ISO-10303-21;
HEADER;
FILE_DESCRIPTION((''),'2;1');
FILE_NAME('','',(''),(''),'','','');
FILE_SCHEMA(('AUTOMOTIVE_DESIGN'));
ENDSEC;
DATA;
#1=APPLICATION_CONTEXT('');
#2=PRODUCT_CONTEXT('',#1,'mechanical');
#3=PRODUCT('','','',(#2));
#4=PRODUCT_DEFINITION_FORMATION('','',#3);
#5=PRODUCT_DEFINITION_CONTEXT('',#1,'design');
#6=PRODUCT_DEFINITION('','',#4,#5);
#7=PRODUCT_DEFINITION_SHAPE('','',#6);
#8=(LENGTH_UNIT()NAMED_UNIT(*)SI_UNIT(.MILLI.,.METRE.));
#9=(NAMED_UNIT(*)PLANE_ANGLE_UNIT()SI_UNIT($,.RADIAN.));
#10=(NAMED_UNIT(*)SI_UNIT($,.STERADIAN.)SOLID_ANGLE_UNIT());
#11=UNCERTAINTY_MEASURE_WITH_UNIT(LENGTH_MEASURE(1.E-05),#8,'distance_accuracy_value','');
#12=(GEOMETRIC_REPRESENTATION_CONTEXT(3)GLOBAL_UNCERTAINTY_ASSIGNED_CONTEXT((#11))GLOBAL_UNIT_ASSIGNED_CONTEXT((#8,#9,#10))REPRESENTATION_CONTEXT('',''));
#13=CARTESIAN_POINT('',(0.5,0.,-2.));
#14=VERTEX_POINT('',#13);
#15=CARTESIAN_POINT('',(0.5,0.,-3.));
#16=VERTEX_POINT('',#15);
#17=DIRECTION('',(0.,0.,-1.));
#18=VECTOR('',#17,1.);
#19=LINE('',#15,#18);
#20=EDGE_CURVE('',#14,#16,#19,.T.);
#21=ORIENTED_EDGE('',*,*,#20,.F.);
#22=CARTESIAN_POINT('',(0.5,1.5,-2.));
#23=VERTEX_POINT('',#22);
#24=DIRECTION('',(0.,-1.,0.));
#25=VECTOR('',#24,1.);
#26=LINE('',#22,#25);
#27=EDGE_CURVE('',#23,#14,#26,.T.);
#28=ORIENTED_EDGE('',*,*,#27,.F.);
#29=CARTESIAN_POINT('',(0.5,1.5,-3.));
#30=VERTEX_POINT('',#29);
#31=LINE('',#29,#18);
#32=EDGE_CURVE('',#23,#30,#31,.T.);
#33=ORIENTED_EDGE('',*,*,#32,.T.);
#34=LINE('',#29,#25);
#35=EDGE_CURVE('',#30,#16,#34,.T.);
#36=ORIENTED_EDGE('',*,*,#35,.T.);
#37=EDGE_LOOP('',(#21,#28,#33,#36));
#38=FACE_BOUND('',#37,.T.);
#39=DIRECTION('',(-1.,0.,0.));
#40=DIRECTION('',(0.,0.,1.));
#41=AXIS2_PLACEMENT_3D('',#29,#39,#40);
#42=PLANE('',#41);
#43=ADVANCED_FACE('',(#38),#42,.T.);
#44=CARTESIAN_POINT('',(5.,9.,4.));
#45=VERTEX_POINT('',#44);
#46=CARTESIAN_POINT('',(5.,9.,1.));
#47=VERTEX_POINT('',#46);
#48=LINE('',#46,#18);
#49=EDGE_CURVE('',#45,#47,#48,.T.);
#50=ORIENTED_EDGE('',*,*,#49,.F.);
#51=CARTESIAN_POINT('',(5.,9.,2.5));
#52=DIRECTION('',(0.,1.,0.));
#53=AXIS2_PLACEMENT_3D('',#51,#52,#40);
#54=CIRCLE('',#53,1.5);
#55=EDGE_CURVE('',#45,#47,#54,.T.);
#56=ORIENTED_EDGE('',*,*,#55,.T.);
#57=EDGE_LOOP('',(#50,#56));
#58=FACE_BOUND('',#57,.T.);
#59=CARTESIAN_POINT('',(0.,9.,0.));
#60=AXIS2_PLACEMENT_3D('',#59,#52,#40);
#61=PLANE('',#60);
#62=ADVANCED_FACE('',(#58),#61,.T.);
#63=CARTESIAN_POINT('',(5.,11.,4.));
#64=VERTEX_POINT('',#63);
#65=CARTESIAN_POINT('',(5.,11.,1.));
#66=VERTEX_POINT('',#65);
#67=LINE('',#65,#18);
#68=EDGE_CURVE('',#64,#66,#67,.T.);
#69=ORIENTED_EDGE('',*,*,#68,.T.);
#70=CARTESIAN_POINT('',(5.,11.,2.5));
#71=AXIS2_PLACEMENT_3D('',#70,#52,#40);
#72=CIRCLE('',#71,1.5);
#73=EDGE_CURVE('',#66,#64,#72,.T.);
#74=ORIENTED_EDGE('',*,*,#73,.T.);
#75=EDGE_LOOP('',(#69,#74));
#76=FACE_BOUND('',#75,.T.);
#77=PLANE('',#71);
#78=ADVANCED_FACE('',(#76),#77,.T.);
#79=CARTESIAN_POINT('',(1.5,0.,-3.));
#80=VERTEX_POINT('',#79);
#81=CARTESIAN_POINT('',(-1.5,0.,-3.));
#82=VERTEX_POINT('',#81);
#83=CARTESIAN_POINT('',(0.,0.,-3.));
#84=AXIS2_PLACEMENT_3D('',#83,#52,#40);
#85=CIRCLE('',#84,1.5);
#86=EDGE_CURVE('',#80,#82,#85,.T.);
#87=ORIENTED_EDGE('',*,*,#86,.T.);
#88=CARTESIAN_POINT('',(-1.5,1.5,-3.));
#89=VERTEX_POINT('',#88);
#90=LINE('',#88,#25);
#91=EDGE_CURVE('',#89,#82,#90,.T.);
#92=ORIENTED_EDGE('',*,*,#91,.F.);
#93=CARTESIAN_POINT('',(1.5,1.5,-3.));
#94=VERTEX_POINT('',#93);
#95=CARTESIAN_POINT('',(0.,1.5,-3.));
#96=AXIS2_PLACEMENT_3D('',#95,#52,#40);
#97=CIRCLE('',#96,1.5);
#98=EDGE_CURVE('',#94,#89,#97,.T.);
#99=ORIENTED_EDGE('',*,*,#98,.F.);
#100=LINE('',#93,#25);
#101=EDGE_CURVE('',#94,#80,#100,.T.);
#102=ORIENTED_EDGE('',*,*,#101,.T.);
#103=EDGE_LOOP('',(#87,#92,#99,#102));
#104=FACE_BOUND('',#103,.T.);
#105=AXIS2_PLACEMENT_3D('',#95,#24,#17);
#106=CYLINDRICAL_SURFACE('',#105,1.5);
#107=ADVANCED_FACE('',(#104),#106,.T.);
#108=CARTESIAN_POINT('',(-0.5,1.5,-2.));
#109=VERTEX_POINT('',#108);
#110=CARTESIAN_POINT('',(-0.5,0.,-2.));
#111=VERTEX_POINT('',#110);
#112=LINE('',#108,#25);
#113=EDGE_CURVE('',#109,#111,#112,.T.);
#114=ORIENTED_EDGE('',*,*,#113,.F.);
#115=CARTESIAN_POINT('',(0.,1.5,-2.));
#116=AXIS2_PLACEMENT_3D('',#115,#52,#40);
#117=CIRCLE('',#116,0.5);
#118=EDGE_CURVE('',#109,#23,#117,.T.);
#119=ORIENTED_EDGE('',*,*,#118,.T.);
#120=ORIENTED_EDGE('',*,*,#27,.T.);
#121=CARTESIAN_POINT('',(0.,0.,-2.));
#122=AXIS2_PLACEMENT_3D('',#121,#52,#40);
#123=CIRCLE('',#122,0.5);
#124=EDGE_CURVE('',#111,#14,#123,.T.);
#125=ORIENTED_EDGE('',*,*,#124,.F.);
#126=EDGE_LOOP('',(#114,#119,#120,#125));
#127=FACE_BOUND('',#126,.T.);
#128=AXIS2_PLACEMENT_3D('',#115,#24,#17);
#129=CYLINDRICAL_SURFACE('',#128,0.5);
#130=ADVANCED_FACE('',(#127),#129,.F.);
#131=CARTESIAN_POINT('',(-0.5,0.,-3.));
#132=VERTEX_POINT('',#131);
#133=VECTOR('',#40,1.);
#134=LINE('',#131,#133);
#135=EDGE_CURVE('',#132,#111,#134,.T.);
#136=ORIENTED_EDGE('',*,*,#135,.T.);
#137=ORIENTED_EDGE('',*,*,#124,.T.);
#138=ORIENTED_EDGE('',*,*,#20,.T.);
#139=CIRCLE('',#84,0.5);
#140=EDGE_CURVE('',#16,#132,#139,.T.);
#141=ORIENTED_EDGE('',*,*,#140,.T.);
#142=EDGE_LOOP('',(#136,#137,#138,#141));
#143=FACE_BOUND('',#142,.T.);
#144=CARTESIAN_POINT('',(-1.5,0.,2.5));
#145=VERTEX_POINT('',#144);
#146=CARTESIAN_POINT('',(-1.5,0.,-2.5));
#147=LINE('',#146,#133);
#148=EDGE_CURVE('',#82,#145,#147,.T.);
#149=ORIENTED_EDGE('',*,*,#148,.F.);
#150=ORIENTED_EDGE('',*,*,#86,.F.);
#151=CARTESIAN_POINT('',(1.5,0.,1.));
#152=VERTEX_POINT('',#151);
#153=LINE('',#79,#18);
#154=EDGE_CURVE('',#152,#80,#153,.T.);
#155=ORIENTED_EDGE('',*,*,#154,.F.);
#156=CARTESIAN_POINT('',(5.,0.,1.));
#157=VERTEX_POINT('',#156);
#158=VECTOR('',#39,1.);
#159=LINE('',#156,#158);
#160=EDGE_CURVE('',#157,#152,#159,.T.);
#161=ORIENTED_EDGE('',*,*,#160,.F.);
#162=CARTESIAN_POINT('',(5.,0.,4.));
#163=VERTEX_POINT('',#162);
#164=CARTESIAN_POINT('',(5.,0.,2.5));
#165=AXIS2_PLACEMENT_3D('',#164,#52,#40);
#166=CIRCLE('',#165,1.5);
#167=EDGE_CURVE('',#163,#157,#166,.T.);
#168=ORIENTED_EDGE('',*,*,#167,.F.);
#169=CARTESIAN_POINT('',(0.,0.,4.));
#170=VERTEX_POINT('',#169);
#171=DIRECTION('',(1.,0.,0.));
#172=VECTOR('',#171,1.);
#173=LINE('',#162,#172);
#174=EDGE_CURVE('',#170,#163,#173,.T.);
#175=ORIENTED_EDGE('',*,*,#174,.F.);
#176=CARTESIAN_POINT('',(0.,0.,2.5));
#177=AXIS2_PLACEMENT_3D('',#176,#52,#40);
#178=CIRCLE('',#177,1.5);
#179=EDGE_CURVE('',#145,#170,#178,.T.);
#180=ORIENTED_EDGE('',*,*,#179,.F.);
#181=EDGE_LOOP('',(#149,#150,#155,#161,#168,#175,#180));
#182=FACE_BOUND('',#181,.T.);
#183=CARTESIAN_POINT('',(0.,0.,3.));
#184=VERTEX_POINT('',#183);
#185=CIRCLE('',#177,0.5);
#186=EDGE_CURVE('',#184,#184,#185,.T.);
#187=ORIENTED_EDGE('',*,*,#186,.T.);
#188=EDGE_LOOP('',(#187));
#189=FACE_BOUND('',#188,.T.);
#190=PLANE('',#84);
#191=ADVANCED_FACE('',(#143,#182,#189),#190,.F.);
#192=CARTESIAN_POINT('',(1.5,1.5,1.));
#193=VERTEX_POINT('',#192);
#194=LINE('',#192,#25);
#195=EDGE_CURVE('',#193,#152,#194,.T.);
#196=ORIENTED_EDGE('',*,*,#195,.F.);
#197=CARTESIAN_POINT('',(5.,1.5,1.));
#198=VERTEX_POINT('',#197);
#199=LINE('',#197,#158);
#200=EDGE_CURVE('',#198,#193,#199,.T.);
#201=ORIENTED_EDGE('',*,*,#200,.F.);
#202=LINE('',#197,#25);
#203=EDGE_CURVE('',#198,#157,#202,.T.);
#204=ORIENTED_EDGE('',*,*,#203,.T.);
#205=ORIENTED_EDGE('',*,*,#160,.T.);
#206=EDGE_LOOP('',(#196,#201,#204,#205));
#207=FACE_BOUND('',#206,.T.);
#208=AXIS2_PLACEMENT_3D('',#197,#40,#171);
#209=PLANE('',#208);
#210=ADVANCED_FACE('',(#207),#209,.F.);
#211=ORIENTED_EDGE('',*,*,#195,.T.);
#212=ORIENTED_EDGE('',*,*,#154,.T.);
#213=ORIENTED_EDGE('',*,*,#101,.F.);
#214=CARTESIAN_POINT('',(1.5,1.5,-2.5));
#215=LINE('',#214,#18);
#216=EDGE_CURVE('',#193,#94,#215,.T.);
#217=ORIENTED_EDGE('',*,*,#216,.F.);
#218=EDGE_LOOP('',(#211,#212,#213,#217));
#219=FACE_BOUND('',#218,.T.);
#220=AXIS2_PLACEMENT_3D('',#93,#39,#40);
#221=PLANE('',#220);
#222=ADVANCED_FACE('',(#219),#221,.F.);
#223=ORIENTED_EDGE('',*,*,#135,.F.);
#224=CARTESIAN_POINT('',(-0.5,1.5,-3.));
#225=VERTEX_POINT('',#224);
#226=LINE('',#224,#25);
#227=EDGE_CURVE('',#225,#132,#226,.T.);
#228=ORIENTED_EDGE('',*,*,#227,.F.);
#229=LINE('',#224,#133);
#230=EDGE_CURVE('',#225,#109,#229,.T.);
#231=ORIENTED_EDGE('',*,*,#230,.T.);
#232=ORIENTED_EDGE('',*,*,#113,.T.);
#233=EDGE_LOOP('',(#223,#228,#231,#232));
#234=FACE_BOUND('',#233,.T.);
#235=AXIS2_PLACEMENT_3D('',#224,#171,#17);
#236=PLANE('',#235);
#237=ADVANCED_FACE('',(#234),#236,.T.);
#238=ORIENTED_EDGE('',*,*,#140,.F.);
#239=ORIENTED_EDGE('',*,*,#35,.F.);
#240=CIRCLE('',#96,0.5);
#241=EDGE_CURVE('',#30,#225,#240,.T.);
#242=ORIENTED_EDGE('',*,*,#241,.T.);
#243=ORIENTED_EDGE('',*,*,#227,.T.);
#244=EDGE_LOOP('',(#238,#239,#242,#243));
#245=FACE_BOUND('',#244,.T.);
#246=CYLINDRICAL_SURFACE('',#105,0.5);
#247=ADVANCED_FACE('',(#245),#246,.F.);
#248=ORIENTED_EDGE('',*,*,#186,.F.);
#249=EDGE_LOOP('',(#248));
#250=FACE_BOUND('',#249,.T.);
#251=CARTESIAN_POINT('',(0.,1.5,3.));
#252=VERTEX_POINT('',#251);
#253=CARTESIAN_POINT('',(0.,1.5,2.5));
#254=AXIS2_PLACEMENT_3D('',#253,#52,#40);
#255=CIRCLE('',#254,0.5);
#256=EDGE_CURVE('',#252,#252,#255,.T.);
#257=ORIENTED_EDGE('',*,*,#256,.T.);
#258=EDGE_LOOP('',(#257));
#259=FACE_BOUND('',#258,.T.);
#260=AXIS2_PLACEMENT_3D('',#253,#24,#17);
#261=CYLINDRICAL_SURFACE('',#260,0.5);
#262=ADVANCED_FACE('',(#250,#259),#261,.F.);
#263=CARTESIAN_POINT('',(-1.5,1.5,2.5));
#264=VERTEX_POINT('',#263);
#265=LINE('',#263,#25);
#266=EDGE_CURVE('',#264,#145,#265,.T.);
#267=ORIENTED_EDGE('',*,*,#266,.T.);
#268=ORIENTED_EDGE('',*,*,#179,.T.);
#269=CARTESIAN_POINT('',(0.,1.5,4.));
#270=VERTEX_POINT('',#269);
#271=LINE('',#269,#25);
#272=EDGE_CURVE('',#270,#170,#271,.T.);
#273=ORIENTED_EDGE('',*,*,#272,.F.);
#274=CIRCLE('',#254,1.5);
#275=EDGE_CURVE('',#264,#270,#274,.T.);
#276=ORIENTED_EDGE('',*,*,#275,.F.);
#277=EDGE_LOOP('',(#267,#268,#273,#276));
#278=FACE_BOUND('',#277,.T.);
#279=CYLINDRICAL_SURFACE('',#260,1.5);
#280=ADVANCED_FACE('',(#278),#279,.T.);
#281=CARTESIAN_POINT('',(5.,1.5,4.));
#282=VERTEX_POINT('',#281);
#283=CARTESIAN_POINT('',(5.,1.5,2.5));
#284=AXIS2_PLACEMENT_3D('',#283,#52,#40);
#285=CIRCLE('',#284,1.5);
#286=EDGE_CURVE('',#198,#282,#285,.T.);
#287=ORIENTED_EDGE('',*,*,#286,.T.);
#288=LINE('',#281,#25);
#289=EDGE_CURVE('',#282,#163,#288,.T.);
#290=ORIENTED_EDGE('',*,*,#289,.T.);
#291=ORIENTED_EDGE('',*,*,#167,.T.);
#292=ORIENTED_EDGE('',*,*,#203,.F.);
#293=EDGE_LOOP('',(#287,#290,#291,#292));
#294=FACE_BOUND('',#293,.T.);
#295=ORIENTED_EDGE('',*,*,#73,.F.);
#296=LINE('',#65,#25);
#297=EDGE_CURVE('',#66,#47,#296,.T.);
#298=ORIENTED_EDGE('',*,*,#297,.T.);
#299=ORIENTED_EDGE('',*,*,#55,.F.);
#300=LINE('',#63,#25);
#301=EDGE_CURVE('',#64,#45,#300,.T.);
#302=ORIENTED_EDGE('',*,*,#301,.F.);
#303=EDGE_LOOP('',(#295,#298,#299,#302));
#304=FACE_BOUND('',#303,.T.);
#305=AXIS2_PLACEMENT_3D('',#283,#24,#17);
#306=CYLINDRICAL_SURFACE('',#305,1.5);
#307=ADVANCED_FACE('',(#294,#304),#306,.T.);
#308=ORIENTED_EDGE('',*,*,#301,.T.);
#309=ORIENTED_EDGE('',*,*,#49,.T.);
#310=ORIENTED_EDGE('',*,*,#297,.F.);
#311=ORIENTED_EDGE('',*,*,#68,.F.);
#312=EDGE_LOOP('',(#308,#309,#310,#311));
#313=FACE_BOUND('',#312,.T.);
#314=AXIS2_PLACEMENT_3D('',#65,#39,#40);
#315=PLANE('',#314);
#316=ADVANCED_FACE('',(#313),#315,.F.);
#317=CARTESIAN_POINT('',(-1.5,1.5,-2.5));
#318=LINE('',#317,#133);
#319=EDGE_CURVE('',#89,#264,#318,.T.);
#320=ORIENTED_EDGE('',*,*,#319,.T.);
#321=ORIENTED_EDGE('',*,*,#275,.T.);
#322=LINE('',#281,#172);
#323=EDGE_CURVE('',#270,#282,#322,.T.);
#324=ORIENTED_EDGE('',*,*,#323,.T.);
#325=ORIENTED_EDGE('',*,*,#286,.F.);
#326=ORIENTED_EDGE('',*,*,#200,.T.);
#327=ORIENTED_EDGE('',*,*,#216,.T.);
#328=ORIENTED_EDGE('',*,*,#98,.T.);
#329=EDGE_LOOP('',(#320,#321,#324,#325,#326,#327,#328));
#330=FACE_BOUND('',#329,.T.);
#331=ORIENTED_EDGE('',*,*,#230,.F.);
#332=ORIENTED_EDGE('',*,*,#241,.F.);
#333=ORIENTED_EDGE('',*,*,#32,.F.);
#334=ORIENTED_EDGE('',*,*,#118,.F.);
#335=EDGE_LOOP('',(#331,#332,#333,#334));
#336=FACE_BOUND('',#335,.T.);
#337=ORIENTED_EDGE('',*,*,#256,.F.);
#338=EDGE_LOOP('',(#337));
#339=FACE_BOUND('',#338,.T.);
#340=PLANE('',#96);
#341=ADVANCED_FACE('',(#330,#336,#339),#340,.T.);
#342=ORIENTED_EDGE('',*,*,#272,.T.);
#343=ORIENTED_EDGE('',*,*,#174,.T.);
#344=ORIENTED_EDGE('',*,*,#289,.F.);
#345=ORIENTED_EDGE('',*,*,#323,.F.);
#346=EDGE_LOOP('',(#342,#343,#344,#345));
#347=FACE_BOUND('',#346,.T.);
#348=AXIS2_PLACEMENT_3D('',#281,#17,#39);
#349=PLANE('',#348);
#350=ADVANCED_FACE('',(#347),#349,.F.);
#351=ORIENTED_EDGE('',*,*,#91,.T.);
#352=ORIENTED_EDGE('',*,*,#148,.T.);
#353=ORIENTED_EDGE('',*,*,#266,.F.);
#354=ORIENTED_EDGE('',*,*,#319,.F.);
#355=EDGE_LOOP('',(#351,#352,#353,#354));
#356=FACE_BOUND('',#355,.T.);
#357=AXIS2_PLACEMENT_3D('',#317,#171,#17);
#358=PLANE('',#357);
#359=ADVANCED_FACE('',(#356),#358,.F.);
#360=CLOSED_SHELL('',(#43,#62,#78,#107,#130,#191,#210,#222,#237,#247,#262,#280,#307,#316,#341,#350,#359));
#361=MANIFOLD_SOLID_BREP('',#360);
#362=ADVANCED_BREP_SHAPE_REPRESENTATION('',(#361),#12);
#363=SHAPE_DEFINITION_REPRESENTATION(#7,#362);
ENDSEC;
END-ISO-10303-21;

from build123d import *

# Parameters (mm, degrees)
SKETCH1_R           = 0.5
BOSS_EXTRUDE1_DEPTH = 1.5
SKETCH2_R           = 1.5
BOSS_EXTRUDE2_DEPTH = 12
SKETCH3_R           = 0.5
BOSS_EXTRUDE3_DEPTH = 1.5
SKETCH6_W           = 11.188914533
SKETCH6_H           = 9.773285444
CUT_EXTRUDE4_DEPTH  = 6
BOSS_EXTRUDE4_DEPTH = 2


with BuildPart() as part:
    # Sketch1 → Boss-Extrude1 (new body)
    with BuildSketch(Plane(origin=(0, 0, 0), x_dir=(1, 0, 0), z_dir=(0, 1, 0))):
        with BuildLine():
            Line((5, -1), (1.5, -1))
            Line((1.5, -1), (1.5, 2.5))
            Line((1.5, 2.5), (1.5, 3))
            ThreePointArc((1.5, 3), (0, 4.5), (-1.5, 3))
            Line((-1.5, 3), (-1.5, 2.5))
            Line((-1.5, 2.5), (-1.5, -2.5))
            ThreePointArc((-1.5, -2.5), (-1.060660172, -3.560660172), (0, -4))
            Line((0, -4), (5, -4))
            ThreePointArc((5, -4), (6.5, -2.5), (5, -1))
        make_face()
        with Locations((0, -2.5)):
            Circle(SKETCH1_R, mode=Mode.SUBTRACT)
        with BuildLine():
            Line((-0.5, 3), (-0.5, 2))
            ThreePointArc((-0.5, 2), (0, 1.5), (0.5, 2))
            Line((0.5, 2), (0.5, 3))
            ThreePointArc((0.5, 3), (0, 3.5), (-0.5, 3))
        make_face(mode=Mode.SUBTRACT)
    extrude(amount=BOSS_EXTRUDE1_DEPTH)

    # Sketch2 → Boss-Extrude2 (add)
    with BuildSketch(Plane(origin=(0, 1.5, 0), x_dir=(1, 0, 0), z_dir=(0, 1, 0))):
        with Locations((5, -2.5)):
            Circle(SKETCH2_R)
    extrude(amount=BOSS_EXTRUDE2_DEPTH)

    # Sketch3 → Boss-Extrude3 (add)
    with BuildSketch(Plane(origin=(0, 13.5, 0), x_dir=(1, 0, 0), z_dir=(0, 1, 0))):
        with BuildLine():
            Line((1.5, -1), (5, -1))
            ThreePointArc((5, -1), (6.5, -2.5), (5, -4))
            Line((5, -4), (0, -4))
            ThreePointArc((0, -4), (-1.060660172, -3.560660172), (-1.5, -2.5))
            Line((-1.5, -2.5), (-1.5, 2.5))
            Line((-1.5, 2.5), (-1.5, 3))
            ThreePointArc((-1.5, 3), (0, 4.5), (1.5, 3))
            Line((1.5, 3), (1.5, 2.5))
            Line((1.5, 2.5), (1.5, -1))
        make_face()
        with Locations((0, -2.5)):
            Circle(SKETCH3_R, mode=Mode.SUBTRACT)
        with BuildLine():
            Line((-0.5, 3), (-0.5, 2))
            ThreePointArc((-0.5, 2), (0, 1.5), (0.5, 2))
            Line((0.5, 2), (0.5, 3))
            ThreePointArc((0.5, 3), (0, 3.5), (-0.5, 3))
        make_face(mode=Mode.SUBTRACT)
    extrude(amount=BOSS_EXTRUDE3_DEPTH)

    # Sketch6 → Cut-Extrude4 (cut)
    with BuildSketch(Plane(origin=(0, 15, 0), x_dir=(1, 0, 0), z_dir=(0, 1, 0))):
        with Locations((1.642455456, 0.222776364)):
            Rectangle(SKETCH6_W, SKETCH6_H)
    extrude(amount=-CUT_EXTRUDE4_DEPTH, mode=Mode.SUBTRACT)

    # Sketch7 → Boss-Extrude4 (add)
    with BuildSketch(Plane(origin=(0, 9, 0), x_dir=(1, 0, 0), z_dir=(0, 1, 0))):
        with BuildLine():
            Line((5, -1), (5, -4))
            ThreePointArc((5, -4), (3.5, -2.5), (5, -1))
        make_face()
    extrude(amount=BOSS_EXTRUDE4_DEPTH)


solid = part.part
